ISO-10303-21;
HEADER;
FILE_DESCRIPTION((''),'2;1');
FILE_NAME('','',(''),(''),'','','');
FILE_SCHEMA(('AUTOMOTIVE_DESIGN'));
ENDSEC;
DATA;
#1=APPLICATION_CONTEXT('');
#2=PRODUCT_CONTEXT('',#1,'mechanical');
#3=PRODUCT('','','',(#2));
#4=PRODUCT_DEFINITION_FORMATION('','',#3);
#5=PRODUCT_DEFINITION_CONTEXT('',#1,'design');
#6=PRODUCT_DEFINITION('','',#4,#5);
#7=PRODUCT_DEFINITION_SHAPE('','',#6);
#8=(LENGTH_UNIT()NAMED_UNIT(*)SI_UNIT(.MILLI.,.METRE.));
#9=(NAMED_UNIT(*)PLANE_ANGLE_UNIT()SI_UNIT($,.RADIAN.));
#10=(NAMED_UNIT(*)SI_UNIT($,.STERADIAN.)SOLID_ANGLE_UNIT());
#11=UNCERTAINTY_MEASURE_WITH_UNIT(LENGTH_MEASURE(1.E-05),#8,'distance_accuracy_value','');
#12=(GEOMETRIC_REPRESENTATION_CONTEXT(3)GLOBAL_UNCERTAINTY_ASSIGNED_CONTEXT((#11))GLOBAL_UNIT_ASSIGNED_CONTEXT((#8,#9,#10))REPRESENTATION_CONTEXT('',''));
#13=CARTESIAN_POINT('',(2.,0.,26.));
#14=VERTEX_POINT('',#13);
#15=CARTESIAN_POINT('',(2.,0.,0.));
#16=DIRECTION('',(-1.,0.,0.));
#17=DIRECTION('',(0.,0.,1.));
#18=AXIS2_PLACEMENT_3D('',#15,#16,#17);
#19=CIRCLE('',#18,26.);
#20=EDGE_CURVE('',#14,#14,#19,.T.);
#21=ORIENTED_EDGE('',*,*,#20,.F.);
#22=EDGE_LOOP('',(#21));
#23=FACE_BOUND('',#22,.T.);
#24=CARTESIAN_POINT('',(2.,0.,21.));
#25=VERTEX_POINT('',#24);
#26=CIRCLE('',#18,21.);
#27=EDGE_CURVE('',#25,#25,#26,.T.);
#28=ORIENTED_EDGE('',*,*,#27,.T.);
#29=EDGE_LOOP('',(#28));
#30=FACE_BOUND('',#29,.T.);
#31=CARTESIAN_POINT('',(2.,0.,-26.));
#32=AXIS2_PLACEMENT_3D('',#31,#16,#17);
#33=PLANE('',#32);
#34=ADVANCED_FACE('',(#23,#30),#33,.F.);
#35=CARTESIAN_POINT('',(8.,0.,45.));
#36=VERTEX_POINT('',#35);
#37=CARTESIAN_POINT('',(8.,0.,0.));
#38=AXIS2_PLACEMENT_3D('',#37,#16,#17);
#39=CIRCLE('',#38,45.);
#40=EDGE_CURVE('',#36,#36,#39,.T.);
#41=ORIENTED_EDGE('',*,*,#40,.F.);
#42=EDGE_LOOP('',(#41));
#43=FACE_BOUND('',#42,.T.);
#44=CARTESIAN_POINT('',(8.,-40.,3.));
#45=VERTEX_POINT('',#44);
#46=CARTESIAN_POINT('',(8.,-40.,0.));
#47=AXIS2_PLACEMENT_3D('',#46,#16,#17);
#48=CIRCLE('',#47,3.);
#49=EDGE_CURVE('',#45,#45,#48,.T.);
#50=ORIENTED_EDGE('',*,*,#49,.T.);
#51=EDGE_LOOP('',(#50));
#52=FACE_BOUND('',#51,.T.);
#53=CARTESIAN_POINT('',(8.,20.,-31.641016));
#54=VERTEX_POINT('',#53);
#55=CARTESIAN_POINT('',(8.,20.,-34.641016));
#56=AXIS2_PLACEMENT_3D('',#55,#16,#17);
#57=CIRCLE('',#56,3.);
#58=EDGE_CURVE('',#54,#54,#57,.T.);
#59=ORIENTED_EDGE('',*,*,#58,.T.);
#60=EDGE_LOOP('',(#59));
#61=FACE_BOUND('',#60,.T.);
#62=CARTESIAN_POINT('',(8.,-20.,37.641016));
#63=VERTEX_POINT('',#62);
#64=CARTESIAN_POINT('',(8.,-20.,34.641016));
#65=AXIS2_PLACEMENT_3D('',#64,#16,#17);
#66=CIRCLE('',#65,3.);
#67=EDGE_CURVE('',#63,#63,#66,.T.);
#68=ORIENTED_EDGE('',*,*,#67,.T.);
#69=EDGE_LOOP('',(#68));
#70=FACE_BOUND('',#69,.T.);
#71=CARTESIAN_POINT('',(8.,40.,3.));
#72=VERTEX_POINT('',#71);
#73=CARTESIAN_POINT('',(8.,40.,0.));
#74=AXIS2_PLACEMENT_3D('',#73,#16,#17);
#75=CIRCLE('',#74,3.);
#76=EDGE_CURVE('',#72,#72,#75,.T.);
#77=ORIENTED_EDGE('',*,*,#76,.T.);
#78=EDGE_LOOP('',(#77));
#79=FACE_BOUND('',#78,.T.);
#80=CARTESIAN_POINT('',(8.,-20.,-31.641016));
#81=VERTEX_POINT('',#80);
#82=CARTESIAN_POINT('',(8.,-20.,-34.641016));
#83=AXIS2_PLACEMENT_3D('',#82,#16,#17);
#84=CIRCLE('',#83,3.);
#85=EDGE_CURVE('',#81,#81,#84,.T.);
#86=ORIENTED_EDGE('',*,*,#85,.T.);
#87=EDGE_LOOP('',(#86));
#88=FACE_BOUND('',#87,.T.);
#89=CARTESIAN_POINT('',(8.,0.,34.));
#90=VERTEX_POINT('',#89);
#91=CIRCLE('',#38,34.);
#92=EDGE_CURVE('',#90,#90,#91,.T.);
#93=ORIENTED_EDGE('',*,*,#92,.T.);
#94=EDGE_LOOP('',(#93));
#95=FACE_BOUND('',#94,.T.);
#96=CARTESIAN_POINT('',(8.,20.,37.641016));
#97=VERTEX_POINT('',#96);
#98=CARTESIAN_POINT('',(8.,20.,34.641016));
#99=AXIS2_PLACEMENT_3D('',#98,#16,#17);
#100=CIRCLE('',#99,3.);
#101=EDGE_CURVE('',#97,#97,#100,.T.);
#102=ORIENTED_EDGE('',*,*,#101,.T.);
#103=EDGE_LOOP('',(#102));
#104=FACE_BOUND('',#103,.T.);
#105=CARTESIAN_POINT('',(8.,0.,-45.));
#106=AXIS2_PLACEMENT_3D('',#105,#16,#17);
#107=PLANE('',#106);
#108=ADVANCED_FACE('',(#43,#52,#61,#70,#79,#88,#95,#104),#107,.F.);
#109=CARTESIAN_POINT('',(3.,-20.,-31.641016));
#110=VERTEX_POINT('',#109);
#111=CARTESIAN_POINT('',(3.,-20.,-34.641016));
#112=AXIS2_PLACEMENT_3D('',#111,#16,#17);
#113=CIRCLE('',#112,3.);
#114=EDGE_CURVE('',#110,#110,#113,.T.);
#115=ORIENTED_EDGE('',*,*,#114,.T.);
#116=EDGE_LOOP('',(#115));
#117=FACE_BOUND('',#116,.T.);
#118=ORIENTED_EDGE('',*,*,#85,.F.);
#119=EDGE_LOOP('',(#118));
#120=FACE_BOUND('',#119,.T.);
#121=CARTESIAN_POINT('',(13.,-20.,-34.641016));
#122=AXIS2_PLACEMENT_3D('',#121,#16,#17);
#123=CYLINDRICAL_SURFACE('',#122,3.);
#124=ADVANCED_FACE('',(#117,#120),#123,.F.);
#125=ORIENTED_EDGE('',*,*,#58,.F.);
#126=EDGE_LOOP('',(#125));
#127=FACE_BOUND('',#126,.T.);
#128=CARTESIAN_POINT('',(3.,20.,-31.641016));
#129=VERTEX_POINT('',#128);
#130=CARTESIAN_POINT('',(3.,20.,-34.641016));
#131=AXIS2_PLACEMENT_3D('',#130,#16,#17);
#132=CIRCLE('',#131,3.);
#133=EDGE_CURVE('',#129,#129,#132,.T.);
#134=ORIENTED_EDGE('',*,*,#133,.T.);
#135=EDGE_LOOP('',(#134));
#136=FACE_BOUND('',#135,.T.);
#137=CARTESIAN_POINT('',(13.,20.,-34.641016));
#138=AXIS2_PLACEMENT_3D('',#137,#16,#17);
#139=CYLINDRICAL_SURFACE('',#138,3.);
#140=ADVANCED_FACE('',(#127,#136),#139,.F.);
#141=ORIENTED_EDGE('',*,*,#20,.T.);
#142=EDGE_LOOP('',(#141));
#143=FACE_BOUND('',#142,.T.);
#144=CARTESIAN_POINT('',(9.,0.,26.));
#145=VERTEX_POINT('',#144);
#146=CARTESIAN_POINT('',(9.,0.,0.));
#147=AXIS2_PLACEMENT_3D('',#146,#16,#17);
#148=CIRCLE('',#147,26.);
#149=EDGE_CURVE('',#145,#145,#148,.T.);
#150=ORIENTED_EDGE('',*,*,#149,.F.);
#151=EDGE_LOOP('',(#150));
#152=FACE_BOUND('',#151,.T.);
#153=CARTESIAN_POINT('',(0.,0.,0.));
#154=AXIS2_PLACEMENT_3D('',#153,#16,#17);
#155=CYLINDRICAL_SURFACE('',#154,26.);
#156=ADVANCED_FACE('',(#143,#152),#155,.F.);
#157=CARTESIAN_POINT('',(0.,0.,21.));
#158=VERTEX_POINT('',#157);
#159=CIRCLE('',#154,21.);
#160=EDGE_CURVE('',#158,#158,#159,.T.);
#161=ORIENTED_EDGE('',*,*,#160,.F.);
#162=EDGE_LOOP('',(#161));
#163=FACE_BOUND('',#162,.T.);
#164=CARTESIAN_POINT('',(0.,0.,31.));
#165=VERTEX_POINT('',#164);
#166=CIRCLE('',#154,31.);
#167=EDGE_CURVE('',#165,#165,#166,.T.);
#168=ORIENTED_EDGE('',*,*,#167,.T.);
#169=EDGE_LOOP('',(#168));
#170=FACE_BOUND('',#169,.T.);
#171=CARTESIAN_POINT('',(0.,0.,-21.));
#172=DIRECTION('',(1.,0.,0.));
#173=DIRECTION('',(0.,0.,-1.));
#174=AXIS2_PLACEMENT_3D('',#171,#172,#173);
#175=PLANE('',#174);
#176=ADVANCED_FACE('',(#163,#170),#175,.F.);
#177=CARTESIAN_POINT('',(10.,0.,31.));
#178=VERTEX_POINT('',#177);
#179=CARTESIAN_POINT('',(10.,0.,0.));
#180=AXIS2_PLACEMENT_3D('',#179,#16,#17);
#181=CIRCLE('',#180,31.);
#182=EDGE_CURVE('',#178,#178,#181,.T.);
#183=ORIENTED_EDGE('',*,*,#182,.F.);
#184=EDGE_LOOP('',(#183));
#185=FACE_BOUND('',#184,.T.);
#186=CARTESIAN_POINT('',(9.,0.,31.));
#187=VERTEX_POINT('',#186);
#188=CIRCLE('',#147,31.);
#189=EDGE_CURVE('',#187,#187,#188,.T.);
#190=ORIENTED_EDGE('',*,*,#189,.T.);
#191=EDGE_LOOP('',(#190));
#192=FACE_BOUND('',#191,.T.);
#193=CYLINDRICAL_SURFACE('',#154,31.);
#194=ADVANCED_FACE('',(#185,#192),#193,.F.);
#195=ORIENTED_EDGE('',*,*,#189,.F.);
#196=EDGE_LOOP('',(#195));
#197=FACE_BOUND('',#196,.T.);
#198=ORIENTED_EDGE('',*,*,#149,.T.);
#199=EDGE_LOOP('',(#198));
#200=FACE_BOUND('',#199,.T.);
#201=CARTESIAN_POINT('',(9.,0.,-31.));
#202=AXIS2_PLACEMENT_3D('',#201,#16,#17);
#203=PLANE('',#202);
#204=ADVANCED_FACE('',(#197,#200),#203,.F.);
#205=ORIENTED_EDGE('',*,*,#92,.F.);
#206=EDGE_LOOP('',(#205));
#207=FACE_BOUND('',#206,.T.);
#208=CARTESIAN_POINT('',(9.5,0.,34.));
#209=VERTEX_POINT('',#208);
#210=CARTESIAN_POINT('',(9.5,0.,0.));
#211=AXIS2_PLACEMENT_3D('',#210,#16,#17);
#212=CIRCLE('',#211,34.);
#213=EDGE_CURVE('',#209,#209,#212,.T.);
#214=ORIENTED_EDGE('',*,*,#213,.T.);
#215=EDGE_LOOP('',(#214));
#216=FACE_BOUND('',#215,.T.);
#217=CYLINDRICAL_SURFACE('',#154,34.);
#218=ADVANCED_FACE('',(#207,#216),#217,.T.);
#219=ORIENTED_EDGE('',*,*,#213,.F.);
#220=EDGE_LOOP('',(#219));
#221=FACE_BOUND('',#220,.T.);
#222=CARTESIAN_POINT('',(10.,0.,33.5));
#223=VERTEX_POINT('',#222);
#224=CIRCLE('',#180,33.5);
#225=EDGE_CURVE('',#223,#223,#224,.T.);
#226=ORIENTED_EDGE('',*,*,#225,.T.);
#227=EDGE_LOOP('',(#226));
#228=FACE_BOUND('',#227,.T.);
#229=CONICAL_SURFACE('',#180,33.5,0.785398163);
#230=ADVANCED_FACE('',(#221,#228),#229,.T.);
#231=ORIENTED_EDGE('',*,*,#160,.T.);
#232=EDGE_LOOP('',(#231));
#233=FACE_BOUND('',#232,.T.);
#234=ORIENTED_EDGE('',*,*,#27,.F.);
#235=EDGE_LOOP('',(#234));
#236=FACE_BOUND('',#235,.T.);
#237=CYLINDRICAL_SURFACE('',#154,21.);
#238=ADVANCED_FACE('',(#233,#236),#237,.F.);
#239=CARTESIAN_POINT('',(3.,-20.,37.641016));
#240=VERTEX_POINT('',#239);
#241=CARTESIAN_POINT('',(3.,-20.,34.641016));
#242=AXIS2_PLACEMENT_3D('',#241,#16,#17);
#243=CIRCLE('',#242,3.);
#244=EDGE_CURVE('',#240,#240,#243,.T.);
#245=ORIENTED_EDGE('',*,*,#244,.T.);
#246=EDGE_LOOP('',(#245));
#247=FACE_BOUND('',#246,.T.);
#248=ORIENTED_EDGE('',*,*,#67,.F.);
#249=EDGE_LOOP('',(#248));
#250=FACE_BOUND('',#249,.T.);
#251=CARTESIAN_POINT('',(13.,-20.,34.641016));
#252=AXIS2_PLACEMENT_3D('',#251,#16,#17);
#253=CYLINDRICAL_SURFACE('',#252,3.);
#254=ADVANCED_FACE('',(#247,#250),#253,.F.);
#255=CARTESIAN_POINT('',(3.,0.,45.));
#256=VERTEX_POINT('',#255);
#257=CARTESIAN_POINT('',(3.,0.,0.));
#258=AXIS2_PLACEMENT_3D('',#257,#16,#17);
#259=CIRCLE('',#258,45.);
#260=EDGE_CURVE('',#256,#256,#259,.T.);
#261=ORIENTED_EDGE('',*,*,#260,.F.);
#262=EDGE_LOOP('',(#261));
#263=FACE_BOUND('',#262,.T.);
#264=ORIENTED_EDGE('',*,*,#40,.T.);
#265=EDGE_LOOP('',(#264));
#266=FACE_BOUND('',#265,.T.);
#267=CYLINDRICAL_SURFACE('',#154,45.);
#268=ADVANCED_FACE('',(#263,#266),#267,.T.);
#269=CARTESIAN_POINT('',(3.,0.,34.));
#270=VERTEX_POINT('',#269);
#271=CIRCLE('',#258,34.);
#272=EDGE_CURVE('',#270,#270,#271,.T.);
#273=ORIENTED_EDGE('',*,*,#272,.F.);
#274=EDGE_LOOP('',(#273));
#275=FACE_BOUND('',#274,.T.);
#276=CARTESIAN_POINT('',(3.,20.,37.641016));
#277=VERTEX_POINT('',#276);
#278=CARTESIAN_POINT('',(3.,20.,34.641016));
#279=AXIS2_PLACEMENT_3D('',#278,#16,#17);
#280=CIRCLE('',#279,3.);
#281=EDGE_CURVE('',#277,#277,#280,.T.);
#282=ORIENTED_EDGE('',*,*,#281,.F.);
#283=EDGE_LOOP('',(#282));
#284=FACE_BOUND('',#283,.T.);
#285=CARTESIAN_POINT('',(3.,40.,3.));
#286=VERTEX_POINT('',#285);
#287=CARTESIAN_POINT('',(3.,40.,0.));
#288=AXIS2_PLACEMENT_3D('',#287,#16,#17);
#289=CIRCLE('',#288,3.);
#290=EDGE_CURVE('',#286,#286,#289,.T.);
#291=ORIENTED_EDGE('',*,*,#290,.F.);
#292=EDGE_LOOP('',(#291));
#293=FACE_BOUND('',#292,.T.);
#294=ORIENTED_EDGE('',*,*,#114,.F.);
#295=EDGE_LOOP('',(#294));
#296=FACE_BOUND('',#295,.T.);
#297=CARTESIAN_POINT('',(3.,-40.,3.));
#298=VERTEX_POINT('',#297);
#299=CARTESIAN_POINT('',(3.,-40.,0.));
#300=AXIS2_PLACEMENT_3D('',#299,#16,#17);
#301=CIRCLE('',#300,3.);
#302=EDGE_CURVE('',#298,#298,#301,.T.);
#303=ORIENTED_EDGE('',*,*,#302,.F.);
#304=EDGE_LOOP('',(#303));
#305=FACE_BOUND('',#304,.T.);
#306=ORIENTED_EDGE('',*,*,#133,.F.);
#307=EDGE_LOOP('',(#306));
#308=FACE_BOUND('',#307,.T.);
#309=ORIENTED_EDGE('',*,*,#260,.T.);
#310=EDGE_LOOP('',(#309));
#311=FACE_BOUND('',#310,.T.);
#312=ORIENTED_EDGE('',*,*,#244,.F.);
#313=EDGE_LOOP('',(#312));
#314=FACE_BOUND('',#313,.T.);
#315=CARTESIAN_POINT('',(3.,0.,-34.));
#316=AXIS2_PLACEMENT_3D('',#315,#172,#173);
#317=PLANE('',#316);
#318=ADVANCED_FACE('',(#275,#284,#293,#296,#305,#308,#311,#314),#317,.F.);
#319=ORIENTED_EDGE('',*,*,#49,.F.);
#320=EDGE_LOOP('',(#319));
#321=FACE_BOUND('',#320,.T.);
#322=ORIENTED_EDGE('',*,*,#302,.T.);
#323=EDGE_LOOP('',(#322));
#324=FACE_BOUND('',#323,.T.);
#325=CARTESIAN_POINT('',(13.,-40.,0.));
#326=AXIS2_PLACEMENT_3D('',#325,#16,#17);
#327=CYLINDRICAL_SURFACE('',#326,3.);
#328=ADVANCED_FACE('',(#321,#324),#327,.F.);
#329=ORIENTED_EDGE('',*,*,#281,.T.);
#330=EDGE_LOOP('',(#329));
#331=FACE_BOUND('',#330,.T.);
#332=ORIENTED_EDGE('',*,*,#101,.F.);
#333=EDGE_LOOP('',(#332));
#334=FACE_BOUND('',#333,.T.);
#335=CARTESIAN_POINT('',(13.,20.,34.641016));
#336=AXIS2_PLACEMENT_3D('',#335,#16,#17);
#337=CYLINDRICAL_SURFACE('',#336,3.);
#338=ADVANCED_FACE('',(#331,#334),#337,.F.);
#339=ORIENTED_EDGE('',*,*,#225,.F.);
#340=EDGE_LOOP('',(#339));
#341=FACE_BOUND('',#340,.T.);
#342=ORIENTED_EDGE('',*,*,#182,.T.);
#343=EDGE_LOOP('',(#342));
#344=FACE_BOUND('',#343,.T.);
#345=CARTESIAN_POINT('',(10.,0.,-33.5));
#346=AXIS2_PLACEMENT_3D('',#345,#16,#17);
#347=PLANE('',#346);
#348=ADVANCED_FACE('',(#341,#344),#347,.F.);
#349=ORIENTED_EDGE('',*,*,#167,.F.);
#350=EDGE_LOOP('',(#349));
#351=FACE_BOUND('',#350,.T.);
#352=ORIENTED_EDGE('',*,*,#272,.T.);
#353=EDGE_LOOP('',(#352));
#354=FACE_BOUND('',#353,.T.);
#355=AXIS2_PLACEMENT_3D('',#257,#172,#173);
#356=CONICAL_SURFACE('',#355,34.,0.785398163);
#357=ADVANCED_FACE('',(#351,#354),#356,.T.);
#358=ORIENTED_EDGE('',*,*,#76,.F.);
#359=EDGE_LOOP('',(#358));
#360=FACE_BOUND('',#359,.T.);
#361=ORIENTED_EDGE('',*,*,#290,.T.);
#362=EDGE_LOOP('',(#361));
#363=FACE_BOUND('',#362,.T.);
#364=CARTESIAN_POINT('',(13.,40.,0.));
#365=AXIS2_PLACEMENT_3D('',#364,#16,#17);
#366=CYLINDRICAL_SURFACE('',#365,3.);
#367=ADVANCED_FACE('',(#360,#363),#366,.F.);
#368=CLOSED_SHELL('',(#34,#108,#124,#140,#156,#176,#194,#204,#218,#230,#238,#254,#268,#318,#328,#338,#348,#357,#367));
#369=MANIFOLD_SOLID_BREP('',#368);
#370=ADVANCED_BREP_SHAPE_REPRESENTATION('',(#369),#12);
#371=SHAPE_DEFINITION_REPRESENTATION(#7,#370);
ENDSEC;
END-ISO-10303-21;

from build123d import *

# Parameters (mm, degrees)
SKETCH2_R          = 3
CUT_EXTRUDE1_DEPTH = 10


with BuildPart() as part:
    # Sketch1 → Revolve1 (revolve)
    with BuildSketch(Plane(origin=(0, 0, 0), x_dir=(1, 0, 0), z_dir=(0, 1, 0)), mode=Mode.PRIVATE) as revolve1_sk:
        Polygon((0, 21), (0, 31), (3, 34), (3, 45), (8, 45), (8, 34), (9.5, 34), (10, 33.5), (10, 31), (9, 31), (9, 26), (2, 26), (2, 21), align=None)
    revolve(revolve1_sk.sketch.rotate(Axis((0, 0, 0), (1, 0, 0)), 180), axis=Axis((0, 0, 0), (1, 0, 0)))

    # Sketch2 → Cut-Extrude1 (cut)
    with BuildSketch(Plane.ZY.offset(-3)):
        with Locations((0, 40)):
            Circle(SKETCH2_R)
        with Locations((34.641016151, 20)):
            Circle(SKETCH2_R)
        with Locations((34.641016151, -20)):
            Circle(SKETCH2_R)
        with Locations((0, -40)):
            Circle(SKETCH2_R)
        with Locations((-34.641016151, -20)):
            Circle(SKETCH2_R)
        with Locations((-34.641016151, 20)):
            Circle(SKETCH2_R)
    extrude(amount=-CUT_EXTRUDE1_DEPTH, mode=Mode.SUBTRACT)


solid = part.part
